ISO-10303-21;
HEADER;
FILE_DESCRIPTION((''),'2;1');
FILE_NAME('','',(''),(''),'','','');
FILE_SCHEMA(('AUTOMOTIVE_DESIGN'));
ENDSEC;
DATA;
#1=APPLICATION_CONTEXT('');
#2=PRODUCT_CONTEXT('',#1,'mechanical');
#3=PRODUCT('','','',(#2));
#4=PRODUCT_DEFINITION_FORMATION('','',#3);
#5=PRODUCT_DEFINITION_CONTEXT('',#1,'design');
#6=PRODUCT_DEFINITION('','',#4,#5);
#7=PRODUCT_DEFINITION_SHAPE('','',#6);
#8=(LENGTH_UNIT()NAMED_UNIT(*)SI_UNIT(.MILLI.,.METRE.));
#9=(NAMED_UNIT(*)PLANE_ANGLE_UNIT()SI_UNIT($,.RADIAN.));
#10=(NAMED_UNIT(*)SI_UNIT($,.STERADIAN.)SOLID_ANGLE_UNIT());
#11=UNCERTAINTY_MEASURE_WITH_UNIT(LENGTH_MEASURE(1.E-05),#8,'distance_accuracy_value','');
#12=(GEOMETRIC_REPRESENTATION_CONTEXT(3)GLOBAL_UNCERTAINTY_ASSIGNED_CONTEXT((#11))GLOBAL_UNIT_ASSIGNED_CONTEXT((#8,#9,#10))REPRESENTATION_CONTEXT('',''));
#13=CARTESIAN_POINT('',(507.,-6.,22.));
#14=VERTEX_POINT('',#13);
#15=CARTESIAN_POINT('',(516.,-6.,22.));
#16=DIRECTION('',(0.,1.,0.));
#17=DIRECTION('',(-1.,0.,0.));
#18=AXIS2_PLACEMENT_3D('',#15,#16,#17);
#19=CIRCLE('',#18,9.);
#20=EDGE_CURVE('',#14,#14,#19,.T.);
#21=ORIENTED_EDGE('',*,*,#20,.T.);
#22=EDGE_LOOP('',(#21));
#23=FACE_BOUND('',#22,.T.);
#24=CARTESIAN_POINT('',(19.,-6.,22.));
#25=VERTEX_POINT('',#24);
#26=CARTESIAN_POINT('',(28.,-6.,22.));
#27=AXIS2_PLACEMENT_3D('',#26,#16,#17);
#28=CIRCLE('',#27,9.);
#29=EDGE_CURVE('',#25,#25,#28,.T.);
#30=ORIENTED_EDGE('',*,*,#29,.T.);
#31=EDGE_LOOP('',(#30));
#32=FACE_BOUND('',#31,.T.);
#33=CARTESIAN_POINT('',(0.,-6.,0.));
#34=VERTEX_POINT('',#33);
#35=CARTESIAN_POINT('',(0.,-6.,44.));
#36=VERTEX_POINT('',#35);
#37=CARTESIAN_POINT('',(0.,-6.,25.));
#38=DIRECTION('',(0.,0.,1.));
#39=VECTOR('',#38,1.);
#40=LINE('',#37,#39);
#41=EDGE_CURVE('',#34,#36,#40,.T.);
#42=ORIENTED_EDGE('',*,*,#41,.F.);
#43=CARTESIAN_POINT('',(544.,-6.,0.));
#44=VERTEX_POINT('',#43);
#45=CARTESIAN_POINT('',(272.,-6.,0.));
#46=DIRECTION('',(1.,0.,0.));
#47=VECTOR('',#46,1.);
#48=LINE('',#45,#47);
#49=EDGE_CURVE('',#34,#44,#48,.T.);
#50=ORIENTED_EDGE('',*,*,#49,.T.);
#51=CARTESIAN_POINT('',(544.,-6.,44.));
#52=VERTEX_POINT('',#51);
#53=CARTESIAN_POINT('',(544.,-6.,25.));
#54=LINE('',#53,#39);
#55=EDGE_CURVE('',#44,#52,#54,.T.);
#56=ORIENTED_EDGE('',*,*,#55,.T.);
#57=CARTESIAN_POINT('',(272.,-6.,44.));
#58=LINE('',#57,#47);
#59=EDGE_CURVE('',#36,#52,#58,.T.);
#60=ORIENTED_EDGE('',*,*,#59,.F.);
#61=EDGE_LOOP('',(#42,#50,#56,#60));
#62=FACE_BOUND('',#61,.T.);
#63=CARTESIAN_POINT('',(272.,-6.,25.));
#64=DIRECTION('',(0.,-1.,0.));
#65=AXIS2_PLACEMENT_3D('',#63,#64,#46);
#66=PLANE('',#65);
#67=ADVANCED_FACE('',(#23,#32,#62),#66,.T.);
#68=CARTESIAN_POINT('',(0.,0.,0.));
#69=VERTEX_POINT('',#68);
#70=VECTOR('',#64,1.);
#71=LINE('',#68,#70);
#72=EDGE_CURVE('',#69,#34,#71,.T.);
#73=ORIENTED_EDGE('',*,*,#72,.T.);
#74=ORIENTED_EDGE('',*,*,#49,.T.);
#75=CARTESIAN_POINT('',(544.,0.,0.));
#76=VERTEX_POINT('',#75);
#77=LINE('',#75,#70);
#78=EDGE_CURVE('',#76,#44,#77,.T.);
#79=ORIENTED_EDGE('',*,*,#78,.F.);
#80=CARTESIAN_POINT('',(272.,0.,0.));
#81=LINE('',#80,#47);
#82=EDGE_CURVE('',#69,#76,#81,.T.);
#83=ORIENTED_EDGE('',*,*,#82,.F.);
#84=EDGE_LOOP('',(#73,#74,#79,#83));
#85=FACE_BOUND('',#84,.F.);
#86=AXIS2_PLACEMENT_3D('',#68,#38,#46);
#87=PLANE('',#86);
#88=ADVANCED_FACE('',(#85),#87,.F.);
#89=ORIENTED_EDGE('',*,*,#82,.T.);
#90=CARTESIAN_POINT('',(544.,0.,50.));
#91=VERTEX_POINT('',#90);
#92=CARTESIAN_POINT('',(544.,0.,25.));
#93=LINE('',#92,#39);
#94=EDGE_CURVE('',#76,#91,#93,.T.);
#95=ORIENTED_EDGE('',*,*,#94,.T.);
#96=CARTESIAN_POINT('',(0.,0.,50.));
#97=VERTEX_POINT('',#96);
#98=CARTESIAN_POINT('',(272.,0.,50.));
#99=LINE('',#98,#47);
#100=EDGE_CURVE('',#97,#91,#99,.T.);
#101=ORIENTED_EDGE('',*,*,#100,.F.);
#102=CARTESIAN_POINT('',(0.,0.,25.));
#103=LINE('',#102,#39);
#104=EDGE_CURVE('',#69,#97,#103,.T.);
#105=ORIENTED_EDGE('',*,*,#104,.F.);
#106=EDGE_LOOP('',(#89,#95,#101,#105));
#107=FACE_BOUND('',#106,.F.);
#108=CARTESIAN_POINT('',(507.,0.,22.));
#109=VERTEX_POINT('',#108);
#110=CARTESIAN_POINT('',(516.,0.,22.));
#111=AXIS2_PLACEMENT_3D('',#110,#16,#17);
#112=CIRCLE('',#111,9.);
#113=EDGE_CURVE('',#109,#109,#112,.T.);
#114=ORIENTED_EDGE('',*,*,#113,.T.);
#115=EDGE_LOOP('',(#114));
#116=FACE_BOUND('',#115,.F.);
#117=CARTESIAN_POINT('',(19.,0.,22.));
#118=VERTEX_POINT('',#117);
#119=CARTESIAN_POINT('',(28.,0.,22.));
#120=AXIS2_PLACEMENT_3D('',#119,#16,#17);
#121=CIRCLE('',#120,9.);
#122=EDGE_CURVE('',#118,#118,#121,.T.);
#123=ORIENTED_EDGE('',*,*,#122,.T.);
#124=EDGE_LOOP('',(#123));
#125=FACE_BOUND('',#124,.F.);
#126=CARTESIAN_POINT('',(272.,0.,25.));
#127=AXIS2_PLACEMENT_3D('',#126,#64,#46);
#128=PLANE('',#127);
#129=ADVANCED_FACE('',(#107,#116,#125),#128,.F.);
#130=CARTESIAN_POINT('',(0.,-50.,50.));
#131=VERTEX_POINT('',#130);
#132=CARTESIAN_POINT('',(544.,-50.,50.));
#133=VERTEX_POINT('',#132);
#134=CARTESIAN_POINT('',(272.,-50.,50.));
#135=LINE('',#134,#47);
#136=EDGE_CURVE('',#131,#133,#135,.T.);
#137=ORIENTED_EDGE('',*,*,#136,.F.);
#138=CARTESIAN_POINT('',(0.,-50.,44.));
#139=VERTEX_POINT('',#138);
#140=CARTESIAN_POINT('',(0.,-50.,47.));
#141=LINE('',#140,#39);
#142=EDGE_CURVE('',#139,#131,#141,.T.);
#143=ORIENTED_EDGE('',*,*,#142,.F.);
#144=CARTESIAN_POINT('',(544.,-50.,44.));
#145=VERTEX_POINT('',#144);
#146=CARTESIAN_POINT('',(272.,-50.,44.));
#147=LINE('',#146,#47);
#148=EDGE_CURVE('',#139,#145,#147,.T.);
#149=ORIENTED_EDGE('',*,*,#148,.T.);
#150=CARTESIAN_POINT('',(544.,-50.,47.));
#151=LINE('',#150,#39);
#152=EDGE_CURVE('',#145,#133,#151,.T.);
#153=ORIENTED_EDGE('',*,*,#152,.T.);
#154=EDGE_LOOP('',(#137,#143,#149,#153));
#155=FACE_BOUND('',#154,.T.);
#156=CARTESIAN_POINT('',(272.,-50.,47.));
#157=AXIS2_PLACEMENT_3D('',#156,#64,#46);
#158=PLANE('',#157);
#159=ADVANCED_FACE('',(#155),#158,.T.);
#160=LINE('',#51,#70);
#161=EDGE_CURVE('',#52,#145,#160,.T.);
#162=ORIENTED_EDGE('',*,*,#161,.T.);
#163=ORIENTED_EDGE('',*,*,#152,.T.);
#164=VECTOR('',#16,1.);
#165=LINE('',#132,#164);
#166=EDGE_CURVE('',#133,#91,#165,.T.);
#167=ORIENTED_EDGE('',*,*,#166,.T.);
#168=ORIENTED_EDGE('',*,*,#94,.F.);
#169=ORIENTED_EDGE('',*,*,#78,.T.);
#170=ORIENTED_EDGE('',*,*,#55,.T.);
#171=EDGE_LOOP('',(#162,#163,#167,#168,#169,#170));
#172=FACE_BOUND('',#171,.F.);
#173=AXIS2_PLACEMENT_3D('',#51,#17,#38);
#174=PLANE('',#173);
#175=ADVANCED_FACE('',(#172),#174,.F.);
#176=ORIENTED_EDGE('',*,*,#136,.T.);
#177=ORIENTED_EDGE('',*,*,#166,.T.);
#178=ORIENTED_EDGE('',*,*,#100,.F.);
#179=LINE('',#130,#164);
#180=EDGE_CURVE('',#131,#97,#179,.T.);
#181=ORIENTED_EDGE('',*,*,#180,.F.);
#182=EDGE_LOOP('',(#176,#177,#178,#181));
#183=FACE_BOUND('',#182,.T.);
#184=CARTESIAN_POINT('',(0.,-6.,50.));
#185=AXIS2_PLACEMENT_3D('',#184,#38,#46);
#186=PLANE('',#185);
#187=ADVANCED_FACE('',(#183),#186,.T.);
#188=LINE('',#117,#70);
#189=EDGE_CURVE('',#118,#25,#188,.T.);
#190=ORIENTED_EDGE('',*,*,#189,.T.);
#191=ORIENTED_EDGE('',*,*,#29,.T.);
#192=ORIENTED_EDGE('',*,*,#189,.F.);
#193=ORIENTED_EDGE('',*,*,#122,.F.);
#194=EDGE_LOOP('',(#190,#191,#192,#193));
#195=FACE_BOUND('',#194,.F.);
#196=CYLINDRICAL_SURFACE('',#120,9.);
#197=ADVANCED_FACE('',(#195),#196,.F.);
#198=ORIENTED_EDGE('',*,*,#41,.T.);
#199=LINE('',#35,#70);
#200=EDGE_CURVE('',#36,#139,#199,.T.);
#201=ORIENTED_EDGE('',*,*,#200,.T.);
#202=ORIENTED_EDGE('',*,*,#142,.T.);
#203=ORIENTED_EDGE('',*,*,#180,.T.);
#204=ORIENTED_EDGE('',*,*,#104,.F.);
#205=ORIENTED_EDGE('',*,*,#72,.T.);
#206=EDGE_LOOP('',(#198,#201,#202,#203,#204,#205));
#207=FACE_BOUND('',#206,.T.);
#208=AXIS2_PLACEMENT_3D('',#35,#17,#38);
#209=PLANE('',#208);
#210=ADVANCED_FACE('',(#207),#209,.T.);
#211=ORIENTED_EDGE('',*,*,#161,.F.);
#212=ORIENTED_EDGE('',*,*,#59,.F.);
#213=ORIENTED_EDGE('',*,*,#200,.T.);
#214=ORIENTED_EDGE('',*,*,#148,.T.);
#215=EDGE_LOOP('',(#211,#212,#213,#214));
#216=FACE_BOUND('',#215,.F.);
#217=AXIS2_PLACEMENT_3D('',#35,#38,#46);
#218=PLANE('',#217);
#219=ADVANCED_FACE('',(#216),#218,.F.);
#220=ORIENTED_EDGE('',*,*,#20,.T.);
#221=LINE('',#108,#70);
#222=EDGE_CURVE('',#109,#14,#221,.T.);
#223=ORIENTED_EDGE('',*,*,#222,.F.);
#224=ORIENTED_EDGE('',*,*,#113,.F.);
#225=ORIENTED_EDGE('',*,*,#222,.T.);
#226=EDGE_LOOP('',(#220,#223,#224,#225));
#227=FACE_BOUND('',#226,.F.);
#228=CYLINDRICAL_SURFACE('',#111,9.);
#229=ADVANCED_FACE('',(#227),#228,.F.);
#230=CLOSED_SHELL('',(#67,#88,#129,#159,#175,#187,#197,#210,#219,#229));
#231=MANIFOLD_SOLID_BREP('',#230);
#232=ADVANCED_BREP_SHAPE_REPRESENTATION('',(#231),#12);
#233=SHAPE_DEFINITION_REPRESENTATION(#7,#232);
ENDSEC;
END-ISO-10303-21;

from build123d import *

# Parameters (mm, degrees)
F0_W     = 544
F0_H     = 50
F1_DEPTH = 6
F2_W     = 544
F2_H     = 6
F3_DEPTH = 44
F4_R     = 9
F5_DEPTH = 25


with BuildPart() as f1:
    # F0 (on Front) → F1 (new body)
    with BuildSketch(Plane.XZ):
        with Locations((272, 25)):
            Rectangle(F0_W, F0_H)
    extrude(amount=F1_DEPTH)

    # F2 (on face) → F3 (join)
    with BuildSketch(Plane.XZ.offset(6)):
        with Locations((272, 47)):
            Rectangle(F2_W, F2_H)
    extrude(amount=F3_DEPTH)

    # F4 (on face) → F5 (cut)
    with BuildSketch(Plane(origin=(0, 0, 0), x_dir=(-1, 0, 0), z_dir=(0, 1, 0))):
        with Locations((-516, 22)):
            Circle(F4_R)
        with Locations((-28, 22)):
            Circle(F4_R)
    extrude(amount=-F5_DEPTH, mode=Mode.SUBTRACT)


solid = f1.part
